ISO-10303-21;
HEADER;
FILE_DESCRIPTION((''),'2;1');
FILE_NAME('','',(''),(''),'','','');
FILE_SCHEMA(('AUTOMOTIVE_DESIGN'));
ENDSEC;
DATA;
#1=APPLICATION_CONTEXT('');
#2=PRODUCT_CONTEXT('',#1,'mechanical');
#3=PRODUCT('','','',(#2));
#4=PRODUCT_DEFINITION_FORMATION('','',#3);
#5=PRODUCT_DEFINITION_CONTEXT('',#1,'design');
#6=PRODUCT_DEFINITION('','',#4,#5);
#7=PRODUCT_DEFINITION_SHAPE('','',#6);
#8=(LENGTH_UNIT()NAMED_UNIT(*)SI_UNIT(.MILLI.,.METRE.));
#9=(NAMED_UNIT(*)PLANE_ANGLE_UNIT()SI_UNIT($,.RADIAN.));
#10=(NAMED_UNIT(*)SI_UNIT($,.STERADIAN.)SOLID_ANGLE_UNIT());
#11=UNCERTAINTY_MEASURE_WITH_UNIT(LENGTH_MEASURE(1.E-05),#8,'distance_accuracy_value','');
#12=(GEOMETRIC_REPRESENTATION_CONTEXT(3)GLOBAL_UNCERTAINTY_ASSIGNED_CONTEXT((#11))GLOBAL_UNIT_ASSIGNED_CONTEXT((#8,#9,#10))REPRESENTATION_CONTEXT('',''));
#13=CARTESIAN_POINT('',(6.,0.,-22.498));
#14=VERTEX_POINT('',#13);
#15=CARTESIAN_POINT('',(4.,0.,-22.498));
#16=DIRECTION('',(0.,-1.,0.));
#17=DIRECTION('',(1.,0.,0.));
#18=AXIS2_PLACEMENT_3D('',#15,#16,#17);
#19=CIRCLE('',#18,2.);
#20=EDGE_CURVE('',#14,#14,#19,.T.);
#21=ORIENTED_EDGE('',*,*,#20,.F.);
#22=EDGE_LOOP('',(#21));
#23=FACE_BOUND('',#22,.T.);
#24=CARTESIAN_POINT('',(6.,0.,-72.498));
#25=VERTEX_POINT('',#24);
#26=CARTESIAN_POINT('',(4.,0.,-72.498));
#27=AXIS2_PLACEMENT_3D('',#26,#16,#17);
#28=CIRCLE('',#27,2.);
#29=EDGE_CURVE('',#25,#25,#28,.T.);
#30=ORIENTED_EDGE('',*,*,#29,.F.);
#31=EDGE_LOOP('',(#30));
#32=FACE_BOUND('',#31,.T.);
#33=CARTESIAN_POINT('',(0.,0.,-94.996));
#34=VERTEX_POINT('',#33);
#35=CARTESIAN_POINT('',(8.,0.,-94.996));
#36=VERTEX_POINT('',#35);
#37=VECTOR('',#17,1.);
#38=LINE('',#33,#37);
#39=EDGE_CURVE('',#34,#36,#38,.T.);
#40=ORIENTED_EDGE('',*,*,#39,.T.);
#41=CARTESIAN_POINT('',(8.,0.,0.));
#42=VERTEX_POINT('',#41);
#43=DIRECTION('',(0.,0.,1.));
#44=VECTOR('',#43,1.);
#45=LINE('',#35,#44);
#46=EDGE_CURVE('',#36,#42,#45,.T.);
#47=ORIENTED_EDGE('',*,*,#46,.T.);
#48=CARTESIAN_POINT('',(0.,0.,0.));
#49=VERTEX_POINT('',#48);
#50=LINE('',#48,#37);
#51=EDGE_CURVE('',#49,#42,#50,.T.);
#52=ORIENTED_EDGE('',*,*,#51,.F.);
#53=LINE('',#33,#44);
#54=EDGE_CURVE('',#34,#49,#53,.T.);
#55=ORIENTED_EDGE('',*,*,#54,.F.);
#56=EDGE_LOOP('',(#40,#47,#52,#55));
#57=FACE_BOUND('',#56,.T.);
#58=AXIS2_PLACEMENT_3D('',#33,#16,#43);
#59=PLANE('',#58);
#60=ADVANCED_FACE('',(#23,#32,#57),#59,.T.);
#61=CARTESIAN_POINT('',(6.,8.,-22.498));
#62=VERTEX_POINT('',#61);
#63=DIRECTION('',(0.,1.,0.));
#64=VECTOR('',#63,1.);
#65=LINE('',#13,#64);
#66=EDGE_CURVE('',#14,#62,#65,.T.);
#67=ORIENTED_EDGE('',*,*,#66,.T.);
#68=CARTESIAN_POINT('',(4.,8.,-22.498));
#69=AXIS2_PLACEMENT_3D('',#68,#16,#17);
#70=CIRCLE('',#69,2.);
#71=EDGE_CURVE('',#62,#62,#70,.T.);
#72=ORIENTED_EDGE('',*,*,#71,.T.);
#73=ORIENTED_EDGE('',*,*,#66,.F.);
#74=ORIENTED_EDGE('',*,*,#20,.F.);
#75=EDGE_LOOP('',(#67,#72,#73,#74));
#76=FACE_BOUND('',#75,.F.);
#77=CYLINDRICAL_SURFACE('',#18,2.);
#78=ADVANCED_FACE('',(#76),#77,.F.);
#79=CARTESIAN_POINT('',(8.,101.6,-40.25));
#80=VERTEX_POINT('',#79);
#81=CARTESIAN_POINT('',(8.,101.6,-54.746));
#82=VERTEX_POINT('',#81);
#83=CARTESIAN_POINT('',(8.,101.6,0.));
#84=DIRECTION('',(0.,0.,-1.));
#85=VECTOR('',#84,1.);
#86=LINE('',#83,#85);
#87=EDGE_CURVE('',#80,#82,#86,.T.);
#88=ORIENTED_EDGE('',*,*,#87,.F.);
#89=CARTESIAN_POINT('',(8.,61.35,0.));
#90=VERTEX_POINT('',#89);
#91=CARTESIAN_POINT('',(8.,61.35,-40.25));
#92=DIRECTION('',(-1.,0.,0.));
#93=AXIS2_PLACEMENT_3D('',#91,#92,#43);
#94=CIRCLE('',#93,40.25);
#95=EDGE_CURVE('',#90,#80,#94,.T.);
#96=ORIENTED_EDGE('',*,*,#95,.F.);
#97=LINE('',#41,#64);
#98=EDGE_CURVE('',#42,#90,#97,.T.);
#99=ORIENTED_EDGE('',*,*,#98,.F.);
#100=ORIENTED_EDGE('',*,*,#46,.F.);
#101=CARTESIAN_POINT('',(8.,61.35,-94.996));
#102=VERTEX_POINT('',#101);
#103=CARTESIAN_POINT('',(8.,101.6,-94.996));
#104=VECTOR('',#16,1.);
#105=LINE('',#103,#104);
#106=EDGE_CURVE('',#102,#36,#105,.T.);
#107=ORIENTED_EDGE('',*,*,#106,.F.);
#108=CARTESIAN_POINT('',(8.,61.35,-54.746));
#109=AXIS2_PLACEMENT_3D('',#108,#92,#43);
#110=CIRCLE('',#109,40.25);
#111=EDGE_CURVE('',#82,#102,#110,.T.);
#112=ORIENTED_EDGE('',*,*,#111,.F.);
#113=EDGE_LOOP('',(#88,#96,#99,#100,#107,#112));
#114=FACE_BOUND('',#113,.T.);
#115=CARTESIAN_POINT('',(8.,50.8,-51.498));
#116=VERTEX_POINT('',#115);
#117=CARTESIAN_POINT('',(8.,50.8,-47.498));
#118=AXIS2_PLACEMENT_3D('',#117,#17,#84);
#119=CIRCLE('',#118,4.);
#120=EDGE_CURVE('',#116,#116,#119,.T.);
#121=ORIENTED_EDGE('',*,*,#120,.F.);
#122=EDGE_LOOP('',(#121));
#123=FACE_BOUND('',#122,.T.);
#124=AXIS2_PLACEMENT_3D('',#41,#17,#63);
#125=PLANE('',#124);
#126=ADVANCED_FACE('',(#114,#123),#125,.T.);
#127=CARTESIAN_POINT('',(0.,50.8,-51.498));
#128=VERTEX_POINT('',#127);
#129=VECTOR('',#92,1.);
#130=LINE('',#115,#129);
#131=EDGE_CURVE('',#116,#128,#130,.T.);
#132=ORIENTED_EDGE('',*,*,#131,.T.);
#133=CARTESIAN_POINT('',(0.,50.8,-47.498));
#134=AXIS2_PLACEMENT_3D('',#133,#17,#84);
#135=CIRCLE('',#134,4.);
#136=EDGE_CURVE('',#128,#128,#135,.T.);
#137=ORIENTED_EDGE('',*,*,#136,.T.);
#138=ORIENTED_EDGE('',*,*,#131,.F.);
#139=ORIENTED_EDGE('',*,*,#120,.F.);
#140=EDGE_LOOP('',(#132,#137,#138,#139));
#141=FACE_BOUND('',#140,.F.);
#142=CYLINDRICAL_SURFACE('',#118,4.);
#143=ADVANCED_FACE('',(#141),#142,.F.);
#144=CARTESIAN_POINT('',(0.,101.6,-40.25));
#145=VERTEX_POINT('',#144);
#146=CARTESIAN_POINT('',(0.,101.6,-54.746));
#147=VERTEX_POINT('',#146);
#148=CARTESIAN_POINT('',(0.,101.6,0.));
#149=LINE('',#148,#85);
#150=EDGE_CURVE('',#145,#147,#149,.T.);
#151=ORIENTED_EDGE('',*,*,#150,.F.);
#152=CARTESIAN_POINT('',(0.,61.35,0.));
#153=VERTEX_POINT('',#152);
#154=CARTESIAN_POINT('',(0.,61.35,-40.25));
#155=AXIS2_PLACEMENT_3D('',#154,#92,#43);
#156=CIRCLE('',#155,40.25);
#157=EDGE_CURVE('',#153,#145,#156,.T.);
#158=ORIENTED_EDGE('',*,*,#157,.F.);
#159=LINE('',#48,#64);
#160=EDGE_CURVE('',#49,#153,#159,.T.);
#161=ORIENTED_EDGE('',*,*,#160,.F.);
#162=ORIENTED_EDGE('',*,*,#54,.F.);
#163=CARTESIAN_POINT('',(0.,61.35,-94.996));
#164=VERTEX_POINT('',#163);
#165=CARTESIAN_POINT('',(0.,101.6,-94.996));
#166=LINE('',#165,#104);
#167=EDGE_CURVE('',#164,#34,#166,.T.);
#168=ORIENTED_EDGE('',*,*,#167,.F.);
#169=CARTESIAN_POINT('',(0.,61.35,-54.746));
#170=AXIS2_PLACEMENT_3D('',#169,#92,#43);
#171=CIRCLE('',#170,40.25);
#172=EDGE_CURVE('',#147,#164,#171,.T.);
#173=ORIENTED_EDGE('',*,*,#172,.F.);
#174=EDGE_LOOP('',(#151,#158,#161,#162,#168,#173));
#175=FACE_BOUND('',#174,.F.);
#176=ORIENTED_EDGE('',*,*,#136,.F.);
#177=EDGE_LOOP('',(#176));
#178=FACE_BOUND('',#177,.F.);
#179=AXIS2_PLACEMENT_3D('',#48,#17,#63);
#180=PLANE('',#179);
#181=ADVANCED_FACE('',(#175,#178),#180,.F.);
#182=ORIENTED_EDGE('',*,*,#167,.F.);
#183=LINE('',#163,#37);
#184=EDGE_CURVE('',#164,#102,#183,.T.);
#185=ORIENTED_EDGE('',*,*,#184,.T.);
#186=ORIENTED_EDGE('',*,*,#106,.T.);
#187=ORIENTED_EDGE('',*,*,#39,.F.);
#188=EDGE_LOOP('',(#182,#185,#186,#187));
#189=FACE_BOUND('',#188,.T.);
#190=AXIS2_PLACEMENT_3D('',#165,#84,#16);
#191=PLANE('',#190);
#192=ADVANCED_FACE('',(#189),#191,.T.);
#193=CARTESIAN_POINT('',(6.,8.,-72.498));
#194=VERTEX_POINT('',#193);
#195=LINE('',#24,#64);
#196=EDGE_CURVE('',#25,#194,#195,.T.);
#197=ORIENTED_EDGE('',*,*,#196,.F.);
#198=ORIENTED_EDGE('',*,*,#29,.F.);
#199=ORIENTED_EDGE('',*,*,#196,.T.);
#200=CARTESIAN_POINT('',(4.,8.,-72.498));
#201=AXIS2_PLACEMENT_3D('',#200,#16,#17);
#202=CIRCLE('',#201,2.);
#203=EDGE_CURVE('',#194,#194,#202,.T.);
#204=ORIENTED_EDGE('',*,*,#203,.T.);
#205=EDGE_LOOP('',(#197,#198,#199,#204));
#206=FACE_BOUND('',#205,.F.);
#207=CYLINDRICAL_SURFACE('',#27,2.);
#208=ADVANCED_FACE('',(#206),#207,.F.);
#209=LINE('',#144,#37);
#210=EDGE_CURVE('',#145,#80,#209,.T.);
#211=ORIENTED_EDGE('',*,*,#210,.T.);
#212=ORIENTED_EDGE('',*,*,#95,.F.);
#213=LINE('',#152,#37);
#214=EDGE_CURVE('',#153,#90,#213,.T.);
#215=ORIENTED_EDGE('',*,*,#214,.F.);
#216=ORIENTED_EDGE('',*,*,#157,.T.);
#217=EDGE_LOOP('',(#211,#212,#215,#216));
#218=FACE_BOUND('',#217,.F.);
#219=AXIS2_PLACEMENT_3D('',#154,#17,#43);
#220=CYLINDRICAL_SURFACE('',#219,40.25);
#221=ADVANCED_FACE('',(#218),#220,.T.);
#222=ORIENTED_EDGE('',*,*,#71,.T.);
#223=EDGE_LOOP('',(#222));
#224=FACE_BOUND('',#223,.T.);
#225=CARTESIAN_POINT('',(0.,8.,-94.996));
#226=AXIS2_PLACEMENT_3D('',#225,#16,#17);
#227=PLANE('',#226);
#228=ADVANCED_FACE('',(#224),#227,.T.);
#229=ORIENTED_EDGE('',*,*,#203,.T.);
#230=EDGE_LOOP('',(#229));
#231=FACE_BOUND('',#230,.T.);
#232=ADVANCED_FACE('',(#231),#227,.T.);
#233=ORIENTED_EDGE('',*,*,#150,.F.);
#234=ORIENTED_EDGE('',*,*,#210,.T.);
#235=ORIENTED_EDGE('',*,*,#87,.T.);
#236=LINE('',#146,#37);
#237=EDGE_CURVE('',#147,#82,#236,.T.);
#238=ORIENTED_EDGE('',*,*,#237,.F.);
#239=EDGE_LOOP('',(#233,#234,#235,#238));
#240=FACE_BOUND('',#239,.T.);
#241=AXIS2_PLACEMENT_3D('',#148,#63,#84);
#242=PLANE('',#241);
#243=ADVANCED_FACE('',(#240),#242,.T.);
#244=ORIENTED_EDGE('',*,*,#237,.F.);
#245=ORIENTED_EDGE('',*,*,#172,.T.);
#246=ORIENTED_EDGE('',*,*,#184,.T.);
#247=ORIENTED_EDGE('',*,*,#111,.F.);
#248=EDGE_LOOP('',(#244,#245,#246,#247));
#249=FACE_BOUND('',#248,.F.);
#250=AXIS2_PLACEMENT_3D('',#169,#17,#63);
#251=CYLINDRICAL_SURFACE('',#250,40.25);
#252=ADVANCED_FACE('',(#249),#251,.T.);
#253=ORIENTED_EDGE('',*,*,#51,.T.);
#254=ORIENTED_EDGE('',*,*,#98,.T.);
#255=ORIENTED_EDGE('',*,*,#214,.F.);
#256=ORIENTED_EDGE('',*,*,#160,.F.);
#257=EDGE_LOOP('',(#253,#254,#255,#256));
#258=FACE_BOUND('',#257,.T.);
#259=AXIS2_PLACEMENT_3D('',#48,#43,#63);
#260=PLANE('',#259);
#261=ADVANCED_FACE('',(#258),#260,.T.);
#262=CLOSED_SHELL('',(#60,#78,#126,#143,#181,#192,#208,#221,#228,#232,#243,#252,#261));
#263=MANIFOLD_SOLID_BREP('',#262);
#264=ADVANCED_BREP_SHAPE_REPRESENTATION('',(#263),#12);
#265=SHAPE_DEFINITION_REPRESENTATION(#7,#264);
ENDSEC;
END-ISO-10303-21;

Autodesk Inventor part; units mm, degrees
ref_plane "YZ Plane" through (0, 0, 0) normal (1, 0, 0) x (0, 1, 0)
ref_plane "XZ Plane" through (0, 0, 0) normal (0, 1, 0) x (-1, 0, 0)
ref_plane "XY Plane" through (0, 0, 0) normal (0, 0, 1) x (1, 0, 0)
sketch "Sketch1" plane through (0, 0, 0) normal (1, 0, 0) x (0, 1, 0)
  line L0 (0, 0) -> (101.6, 0)
  line L1 (101.6, 0) -> (101.6, -94.996)
  line L2 (101.6, -94.996) -> (0, -94.996)
  line L3 (0, -94.996) -> (0, 0)
  dimension "d0" = 101.6
  dimension "d1" = 94.996
extrude "Extrusion1" add sketch "Sketch1" along normal blind 8
sketch "Sketch2" plane through (0, 0, -94.996) normal (0, -1, 0) x (1, 0, 0)
  line L0 (0, 0) -> (0, 94.996) projected
  line L1 (8, 0) -> (8, 94.996) projected
  circle A0 centre (4, 72.498) radius 2
  circle A1 centre (4, 22.498) radius 2
  dimension "d6" = 4
extrude "Extrusion2" cut sketch "Sketch2" against normal blind 8
sketch "Sketch3" plane through (8, 0, 0) normal (1, 0, 0) x (0, 0, -1)
  line L0 (0, 101.6) -> (0, 0) projected
  line L1 (94.996, 101.6) -> (0, 101.6) projected
  circle A0 centre (47.498, 50.8) radius 4
  dimension "d9" = 8
extrude "Extrusion3" cut sketch "Sketch3" against normal through all
fillet "Fillet1" radius 40.25 2 edges at (4, 101.6, 0) (4, 101.6, -94.996)
properties part number "Base_Attachment"
